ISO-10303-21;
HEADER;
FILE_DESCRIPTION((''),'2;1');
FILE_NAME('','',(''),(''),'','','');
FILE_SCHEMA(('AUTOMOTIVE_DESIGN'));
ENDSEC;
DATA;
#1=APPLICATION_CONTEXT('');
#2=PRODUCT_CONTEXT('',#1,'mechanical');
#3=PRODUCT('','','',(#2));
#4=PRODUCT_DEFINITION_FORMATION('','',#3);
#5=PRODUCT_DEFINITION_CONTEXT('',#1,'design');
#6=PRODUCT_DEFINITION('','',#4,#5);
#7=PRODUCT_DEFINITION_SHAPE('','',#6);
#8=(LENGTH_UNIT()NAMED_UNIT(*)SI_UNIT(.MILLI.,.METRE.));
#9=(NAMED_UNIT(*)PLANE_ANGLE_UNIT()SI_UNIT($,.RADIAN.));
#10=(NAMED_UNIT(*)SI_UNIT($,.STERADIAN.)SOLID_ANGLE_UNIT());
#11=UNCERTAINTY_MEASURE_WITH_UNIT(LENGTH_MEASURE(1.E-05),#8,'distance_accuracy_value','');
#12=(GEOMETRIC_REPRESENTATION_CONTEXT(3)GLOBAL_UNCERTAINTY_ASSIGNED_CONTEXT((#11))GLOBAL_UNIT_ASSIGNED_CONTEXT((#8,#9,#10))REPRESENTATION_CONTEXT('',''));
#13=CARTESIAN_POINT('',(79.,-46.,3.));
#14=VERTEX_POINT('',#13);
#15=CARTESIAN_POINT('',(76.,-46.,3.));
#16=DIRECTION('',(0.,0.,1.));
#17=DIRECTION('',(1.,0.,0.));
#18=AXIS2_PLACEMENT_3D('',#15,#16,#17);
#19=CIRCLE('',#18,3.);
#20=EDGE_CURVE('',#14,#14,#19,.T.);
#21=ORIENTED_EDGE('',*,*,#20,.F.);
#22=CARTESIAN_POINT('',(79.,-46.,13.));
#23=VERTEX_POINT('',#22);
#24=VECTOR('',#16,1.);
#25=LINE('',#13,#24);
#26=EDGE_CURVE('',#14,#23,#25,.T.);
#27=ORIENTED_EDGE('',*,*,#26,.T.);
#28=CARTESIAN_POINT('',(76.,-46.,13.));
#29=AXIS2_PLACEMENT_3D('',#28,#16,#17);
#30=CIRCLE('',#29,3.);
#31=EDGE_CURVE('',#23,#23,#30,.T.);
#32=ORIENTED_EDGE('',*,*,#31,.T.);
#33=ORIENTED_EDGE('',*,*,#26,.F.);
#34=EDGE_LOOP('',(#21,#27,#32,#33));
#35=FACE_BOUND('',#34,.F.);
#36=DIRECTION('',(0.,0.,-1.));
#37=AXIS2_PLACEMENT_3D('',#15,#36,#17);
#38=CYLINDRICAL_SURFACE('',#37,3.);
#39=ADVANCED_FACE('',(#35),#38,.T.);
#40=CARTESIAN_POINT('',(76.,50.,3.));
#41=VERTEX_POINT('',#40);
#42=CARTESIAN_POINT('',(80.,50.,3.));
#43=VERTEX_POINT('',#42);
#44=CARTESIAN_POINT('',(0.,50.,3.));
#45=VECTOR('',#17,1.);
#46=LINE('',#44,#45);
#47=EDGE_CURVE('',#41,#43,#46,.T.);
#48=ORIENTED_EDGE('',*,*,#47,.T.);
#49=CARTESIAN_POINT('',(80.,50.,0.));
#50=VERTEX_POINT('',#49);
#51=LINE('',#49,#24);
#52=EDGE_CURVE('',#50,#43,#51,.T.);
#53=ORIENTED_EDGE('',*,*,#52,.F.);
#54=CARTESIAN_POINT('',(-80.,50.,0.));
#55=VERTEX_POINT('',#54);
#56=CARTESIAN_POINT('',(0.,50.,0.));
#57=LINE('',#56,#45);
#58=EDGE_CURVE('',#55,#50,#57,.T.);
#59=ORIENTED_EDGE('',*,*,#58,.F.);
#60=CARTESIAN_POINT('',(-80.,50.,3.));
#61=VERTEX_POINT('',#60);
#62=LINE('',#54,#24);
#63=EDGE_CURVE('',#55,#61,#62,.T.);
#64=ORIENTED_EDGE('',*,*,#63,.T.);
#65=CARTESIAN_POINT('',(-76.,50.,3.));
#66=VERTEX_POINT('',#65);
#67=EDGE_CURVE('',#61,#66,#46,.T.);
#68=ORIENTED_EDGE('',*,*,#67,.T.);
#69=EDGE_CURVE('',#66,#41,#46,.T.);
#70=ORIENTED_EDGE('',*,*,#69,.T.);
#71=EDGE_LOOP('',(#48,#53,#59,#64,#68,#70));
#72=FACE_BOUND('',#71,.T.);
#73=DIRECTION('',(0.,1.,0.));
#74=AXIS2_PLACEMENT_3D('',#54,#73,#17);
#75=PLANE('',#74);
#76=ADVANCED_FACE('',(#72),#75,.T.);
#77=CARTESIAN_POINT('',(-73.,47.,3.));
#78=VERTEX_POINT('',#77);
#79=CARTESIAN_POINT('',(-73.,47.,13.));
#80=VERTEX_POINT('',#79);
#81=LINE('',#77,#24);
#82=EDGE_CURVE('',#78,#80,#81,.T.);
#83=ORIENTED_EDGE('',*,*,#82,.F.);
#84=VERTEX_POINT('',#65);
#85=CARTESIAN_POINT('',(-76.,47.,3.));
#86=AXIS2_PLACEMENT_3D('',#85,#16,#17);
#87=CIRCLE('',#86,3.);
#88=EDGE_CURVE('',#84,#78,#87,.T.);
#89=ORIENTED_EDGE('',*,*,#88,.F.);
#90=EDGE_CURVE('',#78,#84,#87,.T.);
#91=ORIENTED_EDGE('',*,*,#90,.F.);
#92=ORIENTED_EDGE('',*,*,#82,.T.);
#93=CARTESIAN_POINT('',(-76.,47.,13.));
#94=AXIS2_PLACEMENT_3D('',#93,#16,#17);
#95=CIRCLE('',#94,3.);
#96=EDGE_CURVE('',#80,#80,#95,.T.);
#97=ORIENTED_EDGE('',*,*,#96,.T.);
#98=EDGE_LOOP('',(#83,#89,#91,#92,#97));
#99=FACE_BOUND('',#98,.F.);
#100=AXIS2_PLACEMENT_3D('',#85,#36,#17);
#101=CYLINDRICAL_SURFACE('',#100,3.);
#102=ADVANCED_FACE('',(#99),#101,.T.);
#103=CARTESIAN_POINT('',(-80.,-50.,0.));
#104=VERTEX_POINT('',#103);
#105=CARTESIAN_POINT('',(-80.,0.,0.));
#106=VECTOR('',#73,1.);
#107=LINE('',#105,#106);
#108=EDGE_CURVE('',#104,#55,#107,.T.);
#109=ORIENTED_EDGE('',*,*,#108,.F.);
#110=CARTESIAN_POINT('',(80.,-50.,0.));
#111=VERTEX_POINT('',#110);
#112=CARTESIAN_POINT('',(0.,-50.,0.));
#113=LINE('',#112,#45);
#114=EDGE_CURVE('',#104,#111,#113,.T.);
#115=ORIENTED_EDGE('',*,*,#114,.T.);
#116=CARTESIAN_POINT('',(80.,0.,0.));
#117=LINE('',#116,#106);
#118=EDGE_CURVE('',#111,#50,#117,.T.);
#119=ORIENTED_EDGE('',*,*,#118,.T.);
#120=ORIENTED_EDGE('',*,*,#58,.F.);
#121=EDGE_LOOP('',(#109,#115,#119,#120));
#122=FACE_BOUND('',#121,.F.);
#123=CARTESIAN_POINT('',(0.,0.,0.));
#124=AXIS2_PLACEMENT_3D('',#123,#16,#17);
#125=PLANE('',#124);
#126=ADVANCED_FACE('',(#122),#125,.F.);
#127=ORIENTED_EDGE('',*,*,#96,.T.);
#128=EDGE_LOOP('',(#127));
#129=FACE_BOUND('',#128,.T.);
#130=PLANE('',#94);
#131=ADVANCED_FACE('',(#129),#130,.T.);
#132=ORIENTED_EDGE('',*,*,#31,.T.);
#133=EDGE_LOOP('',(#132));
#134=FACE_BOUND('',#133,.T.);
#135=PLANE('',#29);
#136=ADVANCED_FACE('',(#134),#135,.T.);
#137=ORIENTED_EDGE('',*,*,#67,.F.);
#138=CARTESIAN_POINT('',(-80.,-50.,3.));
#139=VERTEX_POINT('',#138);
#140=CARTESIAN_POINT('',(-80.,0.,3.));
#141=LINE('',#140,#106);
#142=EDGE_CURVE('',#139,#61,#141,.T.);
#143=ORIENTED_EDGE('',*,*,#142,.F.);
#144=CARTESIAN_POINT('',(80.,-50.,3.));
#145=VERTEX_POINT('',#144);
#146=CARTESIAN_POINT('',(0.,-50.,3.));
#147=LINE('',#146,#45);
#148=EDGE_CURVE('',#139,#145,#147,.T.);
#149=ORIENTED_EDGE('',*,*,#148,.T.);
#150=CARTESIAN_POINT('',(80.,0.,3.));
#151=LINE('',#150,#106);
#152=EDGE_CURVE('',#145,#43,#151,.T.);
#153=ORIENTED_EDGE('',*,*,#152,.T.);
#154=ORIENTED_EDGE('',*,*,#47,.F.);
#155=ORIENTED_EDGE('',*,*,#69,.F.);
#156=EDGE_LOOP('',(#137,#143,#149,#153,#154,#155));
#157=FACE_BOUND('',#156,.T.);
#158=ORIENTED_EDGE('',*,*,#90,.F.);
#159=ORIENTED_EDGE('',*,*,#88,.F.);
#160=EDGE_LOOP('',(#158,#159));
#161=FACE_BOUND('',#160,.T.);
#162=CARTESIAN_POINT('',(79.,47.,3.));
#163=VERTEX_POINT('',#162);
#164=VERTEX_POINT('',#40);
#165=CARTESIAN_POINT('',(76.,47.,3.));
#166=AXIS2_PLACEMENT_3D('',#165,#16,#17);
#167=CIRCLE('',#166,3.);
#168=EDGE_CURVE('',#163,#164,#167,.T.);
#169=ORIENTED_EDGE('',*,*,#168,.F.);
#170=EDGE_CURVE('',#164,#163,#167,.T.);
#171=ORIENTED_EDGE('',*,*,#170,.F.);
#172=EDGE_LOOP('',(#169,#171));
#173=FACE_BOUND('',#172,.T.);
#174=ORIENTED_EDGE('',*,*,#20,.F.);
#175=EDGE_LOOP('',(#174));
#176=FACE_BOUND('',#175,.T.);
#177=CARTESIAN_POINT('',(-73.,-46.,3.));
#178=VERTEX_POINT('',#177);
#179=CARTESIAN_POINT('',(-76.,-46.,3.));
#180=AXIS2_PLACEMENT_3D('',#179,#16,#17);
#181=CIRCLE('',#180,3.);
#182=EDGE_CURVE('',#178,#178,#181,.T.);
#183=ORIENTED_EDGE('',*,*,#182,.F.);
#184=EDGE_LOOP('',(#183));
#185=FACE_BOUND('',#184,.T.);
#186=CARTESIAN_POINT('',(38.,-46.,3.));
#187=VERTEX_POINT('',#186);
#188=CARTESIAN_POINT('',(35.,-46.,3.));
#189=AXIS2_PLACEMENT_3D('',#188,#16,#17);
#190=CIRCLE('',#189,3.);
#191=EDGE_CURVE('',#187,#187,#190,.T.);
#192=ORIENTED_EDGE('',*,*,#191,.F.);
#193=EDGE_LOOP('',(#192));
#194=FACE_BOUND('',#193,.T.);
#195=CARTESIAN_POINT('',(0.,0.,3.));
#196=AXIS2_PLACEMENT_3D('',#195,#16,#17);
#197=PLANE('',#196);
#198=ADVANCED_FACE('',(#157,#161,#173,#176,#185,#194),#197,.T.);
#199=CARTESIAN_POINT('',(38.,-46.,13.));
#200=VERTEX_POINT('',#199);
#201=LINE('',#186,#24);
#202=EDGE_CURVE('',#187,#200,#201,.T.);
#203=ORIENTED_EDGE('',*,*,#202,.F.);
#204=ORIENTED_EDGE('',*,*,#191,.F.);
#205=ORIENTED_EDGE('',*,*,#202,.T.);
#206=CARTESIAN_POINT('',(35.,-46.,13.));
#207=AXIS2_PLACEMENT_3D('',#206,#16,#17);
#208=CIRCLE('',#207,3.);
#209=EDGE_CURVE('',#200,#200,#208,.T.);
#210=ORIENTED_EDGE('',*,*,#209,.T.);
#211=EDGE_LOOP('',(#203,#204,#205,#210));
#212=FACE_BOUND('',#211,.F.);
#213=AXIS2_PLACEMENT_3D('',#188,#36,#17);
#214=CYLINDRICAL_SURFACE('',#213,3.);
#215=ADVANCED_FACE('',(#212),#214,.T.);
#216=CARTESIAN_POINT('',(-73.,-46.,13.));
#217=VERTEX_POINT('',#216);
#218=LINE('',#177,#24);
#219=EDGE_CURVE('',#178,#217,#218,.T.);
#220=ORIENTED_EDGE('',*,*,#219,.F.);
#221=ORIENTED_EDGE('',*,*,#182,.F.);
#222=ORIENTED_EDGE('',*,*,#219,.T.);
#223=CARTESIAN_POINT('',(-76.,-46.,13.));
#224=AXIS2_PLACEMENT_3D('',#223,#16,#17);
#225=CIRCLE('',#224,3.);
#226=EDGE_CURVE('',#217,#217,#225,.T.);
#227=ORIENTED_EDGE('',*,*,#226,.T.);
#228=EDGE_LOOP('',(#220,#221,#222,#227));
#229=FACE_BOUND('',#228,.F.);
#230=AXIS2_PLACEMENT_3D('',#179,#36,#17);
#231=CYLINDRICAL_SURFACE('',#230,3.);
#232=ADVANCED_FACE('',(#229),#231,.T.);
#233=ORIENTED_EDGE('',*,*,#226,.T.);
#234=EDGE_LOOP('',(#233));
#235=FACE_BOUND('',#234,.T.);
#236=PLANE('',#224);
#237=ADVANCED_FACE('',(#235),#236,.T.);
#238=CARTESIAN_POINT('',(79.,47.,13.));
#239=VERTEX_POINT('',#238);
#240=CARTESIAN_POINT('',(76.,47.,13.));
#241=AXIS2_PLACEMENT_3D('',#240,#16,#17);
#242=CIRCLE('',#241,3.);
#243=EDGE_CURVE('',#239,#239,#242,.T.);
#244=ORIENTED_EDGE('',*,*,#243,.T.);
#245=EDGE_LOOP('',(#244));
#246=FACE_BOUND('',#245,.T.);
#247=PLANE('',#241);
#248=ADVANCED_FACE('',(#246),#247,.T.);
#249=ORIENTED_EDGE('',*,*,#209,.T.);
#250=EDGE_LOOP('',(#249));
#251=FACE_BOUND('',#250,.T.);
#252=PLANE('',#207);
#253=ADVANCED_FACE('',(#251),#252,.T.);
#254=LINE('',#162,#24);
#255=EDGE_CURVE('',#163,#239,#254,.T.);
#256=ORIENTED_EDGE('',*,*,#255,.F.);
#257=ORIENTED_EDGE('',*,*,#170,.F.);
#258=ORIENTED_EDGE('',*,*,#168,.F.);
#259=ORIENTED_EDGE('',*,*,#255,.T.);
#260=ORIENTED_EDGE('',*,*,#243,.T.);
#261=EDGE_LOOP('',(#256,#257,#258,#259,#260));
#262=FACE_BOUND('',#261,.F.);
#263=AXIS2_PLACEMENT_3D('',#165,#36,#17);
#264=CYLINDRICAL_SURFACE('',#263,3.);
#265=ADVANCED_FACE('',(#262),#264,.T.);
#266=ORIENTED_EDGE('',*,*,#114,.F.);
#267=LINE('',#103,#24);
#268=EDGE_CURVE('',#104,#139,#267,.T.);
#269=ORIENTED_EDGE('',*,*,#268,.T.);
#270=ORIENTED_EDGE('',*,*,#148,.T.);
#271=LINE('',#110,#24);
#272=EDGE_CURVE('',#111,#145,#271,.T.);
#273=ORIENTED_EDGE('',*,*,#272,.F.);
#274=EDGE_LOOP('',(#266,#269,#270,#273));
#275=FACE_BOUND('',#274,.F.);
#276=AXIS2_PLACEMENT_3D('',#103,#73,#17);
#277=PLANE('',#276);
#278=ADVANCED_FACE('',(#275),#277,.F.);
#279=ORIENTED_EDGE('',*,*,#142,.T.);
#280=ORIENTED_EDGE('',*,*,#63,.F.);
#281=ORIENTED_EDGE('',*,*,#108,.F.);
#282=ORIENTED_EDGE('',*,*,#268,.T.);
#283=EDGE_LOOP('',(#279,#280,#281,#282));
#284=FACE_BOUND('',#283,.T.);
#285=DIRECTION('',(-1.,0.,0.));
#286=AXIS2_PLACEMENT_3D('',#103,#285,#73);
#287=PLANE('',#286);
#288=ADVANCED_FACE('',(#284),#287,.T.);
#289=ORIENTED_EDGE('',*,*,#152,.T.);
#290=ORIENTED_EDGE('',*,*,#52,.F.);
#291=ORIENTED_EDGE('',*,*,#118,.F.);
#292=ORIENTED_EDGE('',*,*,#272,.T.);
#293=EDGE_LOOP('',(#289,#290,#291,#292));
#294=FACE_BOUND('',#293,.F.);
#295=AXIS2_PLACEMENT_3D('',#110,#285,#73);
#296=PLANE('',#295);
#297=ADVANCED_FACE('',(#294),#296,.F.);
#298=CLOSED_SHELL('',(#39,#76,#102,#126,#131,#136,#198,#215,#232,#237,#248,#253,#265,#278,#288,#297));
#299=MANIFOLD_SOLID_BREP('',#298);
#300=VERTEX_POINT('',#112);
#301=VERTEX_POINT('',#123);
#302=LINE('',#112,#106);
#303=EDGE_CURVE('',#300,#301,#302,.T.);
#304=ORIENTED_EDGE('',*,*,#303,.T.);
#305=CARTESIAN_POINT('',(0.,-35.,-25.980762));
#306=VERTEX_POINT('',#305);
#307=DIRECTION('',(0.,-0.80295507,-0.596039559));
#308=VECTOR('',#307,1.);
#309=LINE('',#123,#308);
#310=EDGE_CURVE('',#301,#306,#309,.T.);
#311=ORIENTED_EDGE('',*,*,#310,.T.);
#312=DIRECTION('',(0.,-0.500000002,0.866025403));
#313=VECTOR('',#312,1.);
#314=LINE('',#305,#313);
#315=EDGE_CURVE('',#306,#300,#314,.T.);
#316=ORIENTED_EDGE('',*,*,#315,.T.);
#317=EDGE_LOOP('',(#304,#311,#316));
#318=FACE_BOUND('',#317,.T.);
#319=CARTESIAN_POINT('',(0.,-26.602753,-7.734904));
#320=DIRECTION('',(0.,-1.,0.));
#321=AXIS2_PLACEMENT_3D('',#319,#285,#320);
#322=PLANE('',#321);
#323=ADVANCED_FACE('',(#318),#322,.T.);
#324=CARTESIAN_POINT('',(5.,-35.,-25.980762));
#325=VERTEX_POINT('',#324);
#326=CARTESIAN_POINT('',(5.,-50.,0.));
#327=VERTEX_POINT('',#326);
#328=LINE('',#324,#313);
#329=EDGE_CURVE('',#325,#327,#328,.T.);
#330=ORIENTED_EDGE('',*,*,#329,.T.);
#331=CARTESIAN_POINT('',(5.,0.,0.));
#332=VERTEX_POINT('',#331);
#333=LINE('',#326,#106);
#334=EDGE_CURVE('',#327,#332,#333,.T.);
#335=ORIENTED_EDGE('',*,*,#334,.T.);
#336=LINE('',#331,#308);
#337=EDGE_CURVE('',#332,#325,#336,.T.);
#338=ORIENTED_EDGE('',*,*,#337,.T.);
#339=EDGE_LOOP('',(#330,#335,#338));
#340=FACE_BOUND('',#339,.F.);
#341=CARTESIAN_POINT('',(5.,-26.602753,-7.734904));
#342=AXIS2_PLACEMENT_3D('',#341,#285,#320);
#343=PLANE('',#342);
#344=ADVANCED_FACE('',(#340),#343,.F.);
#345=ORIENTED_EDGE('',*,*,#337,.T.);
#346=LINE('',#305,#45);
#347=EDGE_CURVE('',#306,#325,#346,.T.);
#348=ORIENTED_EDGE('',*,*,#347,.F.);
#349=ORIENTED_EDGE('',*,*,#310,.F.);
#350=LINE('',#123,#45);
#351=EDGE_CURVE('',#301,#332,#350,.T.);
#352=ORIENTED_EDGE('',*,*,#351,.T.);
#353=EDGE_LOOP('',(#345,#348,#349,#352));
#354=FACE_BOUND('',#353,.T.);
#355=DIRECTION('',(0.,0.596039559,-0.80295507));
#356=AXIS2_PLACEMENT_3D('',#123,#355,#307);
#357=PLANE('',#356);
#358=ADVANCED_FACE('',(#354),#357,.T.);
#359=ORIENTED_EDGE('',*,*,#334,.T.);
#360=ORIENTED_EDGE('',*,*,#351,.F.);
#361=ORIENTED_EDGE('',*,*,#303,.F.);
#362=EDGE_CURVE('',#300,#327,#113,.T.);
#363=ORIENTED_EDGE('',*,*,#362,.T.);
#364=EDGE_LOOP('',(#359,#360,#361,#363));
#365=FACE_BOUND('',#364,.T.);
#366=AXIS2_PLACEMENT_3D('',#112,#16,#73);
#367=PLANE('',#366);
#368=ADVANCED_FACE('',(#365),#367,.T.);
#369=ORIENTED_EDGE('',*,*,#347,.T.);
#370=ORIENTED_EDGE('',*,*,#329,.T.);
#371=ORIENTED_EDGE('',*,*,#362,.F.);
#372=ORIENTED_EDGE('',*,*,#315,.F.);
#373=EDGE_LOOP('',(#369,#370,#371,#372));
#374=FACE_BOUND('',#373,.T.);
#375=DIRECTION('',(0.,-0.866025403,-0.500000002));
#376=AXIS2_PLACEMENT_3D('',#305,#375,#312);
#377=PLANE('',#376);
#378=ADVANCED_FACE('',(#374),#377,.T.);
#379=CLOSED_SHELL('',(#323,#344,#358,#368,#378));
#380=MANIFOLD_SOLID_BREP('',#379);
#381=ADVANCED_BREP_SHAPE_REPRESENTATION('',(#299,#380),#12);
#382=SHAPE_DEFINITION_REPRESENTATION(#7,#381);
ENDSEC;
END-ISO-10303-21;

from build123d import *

# Parameters (mm, degrees)
SKETCH_W     = 160
SKETCH_H     = 100
PAD_DEPTH    = 3
SKETCH001_R  = 3
PAD001_DEPTH = 10
PAD002_DEPTH = 5


with BuildPart() as mainplate:
    # Sketch → Pad (new body)
    with BuildSketch(Plane.XY):
        Rectangle(SKETCH_W, SKETCH_H)
    extrude(amount=PAD_DEPTH)

    # Sketch001 (on Face6 of Pad) → Pad001 (join)
    with BuildSketch(Plane.XY.offset(3)):
        with Locations((-76, 47)):
            Circle(SKETCH001_R)
        with Locations((76, 47)):
            Circle(SKETCH001_R)
        with Locations((76, -46)):
            Circle(SKETCH001_R)
        with Locations((-76, -46)):
            Circle(SKETCH001_R)
        with Locations((35, -46)):
            Circle(SKETCH001_R)
    extrude(amount=PAD001_DEPTH)


with BuildPart() as mainplatesupports:
    # Sketch002 → Pad002 (new body)
    with BuildSketch(Plane.YZ):
        Polygon((-50, 0), (0, 0), (-35, -25.980762), align=None)
    extrude(amount=PAD002_DEPTH)


solid = Compound([mainplate.part, mainplatesupports.part])
